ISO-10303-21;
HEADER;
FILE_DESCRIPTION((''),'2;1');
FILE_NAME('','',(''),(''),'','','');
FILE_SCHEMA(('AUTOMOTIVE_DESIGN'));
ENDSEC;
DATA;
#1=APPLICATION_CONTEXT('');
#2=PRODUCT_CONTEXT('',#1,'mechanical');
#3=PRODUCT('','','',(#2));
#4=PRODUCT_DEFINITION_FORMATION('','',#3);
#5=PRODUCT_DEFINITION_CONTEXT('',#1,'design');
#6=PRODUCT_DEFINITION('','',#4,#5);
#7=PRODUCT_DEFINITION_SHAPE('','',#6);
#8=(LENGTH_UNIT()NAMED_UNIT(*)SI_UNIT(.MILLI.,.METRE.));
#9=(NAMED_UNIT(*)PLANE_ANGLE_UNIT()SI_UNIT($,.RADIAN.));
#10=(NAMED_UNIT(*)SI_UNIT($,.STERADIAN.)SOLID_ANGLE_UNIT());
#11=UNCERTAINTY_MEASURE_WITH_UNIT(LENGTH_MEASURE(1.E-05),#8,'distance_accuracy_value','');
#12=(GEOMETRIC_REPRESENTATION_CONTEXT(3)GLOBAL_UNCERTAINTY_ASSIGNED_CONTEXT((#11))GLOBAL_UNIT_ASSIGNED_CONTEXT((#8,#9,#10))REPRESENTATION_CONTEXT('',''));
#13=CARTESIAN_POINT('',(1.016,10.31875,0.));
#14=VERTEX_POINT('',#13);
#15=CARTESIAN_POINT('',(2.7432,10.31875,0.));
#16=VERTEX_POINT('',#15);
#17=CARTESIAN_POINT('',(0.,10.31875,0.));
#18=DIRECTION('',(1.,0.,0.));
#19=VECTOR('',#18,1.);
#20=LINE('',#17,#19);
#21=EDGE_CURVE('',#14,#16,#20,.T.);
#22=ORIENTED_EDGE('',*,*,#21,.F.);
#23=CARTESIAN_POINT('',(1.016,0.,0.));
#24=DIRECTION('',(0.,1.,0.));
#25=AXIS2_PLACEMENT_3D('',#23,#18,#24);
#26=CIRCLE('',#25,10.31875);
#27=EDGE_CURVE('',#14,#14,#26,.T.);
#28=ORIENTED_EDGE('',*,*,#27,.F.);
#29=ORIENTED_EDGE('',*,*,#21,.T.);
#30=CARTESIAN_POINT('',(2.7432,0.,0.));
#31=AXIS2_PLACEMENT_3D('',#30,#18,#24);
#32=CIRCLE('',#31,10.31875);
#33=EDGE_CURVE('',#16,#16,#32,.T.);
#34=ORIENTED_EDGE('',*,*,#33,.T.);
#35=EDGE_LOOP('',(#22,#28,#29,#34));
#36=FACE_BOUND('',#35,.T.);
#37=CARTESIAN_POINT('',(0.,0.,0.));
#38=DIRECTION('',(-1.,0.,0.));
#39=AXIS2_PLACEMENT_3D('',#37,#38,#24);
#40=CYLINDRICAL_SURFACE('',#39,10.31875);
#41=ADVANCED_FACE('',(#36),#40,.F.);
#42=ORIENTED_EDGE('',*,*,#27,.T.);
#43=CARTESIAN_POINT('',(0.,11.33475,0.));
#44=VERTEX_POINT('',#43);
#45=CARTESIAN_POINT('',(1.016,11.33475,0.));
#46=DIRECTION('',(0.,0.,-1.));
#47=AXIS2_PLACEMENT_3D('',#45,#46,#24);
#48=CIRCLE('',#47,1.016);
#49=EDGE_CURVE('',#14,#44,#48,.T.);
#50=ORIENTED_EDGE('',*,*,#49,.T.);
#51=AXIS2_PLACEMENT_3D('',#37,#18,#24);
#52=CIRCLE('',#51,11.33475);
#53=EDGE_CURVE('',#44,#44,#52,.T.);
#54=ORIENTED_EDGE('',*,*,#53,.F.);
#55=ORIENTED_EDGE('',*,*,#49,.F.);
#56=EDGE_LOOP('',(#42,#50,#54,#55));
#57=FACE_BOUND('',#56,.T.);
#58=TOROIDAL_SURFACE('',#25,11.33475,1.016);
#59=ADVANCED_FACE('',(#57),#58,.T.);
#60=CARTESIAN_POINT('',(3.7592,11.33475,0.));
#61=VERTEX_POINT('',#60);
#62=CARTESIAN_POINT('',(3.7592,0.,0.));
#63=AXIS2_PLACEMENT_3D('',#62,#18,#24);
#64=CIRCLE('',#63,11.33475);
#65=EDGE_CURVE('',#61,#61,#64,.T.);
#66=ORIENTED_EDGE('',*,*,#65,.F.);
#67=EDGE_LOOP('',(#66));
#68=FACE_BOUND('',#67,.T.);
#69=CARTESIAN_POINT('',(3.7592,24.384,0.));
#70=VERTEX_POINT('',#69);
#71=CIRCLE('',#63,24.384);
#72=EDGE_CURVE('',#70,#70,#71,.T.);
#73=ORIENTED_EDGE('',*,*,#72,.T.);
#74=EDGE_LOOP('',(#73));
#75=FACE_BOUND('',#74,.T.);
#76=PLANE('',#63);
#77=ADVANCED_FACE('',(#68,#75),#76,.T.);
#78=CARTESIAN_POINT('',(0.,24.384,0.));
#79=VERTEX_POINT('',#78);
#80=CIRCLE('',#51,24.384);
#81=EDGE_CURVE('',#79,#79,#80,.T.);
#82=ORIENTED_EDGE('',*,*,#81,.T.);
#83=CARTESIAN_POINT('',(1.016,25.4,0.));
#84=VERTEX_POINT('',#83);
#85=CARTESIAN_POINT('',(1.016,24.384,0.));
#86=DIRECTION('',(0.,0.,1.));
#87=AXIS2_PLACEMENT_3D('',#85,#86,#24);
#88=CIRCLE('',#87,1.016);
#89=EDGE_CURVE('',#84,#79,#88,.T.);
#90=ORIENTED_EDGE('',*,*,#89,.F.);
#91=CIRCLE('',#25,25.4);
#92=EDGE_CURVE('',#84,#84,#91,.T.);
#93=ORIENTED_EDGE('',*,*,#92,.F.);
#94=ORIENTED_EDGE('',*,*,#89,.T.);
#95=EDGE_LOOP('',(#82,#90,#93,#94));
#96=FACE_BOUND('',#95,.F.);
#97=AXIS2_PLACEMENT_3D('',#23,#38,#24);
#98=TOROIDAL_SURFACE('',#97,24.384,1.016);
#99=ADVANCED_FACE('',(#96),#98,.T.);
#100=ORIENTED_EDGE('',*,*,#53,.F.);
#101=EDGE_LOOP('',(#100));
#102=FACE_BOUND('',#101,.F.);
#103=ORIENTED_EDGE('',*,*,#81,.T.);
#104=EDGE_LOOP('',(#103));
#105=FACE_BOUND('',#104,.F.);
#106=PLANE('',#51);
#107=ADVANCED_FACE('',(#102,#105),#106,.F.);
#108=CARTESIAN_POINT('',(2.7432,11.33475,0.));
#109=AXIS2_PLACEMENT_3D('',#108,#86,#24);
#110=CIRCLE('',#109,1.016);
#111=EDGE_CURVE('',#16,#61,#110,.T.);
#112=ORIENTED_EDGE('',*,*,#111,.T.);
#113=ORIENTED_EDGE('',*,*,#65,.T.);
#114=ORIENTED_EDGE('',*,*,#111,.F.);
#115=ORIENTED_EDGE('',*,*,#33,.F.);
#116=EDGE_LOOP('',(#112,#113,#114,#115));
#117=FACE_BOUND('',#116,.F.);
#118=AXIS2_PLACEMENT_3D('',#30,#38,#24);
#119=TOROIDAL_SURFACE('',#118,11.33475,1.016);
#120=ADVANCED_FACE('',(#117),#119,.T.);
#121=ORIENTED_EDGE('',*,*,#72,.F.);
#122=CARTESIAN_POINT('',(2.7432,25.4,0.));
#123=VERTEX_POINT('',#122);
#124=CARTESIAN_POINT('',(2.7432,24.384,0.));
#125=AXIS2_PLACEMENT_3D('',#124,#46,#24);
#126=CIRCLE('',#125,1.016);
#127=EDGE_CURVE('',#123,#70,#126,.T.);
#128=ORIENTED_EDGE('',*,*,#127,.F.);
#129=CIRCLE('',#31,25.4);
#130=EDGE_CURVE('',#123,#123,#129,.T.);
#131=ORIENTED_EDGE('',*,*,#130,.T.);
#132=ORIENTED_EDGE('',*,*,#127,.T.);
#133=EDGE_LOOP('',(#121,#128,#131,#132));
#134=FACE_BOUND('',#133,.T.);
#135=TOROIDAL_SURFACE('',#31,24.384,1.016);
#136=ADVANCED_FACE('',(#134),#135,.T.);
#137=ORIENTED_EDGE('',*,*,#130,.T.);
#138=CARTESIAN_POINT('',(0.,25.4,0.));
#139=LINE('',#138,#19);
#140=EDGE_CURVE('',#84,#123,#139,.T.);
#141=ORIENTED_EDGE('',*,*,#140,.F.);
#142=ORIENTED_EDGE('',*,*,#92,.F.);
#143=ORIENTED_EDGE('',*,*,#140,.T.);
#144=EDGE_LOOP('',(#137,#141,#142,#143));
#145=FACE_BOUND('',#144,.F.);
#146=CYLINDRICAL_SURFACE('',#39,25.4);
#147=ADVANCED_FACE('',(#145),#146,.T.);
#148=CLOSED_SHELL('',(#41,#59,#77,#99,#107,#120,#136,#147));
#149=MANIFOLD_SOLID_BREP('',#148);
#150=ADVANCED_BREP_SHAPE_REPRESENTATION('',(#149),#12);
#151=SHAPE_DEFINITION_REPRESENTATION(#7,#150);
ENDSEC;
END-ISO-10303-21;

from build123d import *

# Parameters (mm, degrees)
F0_R     = 25.4
F0_R_2   = 10.31875
F1_DEPTH = 3.7592
F2_R     = 1.016


with BuildPart() as f1:
    # F0 (on Right) → F1 (new body)
    with BuildSketch(Plane.YZ):
        Circle(F0_R)
        Circle(F0_R_2, mode=Mode.SUBTRACT)
    extrude(amount=F1_DEPTH)

    # F2
    f2_edges = [f1.edges().sort_by_distance(p)[0] for p in [
        (3.7592, -25.4, 0),
        (0, -25.4, 0),
        (3.7592, -10.31875, 0),
        (0, -10.31875, 0),
    ]]
    fillet(f2_edges, radius=F2_R)


solid = f1.part
